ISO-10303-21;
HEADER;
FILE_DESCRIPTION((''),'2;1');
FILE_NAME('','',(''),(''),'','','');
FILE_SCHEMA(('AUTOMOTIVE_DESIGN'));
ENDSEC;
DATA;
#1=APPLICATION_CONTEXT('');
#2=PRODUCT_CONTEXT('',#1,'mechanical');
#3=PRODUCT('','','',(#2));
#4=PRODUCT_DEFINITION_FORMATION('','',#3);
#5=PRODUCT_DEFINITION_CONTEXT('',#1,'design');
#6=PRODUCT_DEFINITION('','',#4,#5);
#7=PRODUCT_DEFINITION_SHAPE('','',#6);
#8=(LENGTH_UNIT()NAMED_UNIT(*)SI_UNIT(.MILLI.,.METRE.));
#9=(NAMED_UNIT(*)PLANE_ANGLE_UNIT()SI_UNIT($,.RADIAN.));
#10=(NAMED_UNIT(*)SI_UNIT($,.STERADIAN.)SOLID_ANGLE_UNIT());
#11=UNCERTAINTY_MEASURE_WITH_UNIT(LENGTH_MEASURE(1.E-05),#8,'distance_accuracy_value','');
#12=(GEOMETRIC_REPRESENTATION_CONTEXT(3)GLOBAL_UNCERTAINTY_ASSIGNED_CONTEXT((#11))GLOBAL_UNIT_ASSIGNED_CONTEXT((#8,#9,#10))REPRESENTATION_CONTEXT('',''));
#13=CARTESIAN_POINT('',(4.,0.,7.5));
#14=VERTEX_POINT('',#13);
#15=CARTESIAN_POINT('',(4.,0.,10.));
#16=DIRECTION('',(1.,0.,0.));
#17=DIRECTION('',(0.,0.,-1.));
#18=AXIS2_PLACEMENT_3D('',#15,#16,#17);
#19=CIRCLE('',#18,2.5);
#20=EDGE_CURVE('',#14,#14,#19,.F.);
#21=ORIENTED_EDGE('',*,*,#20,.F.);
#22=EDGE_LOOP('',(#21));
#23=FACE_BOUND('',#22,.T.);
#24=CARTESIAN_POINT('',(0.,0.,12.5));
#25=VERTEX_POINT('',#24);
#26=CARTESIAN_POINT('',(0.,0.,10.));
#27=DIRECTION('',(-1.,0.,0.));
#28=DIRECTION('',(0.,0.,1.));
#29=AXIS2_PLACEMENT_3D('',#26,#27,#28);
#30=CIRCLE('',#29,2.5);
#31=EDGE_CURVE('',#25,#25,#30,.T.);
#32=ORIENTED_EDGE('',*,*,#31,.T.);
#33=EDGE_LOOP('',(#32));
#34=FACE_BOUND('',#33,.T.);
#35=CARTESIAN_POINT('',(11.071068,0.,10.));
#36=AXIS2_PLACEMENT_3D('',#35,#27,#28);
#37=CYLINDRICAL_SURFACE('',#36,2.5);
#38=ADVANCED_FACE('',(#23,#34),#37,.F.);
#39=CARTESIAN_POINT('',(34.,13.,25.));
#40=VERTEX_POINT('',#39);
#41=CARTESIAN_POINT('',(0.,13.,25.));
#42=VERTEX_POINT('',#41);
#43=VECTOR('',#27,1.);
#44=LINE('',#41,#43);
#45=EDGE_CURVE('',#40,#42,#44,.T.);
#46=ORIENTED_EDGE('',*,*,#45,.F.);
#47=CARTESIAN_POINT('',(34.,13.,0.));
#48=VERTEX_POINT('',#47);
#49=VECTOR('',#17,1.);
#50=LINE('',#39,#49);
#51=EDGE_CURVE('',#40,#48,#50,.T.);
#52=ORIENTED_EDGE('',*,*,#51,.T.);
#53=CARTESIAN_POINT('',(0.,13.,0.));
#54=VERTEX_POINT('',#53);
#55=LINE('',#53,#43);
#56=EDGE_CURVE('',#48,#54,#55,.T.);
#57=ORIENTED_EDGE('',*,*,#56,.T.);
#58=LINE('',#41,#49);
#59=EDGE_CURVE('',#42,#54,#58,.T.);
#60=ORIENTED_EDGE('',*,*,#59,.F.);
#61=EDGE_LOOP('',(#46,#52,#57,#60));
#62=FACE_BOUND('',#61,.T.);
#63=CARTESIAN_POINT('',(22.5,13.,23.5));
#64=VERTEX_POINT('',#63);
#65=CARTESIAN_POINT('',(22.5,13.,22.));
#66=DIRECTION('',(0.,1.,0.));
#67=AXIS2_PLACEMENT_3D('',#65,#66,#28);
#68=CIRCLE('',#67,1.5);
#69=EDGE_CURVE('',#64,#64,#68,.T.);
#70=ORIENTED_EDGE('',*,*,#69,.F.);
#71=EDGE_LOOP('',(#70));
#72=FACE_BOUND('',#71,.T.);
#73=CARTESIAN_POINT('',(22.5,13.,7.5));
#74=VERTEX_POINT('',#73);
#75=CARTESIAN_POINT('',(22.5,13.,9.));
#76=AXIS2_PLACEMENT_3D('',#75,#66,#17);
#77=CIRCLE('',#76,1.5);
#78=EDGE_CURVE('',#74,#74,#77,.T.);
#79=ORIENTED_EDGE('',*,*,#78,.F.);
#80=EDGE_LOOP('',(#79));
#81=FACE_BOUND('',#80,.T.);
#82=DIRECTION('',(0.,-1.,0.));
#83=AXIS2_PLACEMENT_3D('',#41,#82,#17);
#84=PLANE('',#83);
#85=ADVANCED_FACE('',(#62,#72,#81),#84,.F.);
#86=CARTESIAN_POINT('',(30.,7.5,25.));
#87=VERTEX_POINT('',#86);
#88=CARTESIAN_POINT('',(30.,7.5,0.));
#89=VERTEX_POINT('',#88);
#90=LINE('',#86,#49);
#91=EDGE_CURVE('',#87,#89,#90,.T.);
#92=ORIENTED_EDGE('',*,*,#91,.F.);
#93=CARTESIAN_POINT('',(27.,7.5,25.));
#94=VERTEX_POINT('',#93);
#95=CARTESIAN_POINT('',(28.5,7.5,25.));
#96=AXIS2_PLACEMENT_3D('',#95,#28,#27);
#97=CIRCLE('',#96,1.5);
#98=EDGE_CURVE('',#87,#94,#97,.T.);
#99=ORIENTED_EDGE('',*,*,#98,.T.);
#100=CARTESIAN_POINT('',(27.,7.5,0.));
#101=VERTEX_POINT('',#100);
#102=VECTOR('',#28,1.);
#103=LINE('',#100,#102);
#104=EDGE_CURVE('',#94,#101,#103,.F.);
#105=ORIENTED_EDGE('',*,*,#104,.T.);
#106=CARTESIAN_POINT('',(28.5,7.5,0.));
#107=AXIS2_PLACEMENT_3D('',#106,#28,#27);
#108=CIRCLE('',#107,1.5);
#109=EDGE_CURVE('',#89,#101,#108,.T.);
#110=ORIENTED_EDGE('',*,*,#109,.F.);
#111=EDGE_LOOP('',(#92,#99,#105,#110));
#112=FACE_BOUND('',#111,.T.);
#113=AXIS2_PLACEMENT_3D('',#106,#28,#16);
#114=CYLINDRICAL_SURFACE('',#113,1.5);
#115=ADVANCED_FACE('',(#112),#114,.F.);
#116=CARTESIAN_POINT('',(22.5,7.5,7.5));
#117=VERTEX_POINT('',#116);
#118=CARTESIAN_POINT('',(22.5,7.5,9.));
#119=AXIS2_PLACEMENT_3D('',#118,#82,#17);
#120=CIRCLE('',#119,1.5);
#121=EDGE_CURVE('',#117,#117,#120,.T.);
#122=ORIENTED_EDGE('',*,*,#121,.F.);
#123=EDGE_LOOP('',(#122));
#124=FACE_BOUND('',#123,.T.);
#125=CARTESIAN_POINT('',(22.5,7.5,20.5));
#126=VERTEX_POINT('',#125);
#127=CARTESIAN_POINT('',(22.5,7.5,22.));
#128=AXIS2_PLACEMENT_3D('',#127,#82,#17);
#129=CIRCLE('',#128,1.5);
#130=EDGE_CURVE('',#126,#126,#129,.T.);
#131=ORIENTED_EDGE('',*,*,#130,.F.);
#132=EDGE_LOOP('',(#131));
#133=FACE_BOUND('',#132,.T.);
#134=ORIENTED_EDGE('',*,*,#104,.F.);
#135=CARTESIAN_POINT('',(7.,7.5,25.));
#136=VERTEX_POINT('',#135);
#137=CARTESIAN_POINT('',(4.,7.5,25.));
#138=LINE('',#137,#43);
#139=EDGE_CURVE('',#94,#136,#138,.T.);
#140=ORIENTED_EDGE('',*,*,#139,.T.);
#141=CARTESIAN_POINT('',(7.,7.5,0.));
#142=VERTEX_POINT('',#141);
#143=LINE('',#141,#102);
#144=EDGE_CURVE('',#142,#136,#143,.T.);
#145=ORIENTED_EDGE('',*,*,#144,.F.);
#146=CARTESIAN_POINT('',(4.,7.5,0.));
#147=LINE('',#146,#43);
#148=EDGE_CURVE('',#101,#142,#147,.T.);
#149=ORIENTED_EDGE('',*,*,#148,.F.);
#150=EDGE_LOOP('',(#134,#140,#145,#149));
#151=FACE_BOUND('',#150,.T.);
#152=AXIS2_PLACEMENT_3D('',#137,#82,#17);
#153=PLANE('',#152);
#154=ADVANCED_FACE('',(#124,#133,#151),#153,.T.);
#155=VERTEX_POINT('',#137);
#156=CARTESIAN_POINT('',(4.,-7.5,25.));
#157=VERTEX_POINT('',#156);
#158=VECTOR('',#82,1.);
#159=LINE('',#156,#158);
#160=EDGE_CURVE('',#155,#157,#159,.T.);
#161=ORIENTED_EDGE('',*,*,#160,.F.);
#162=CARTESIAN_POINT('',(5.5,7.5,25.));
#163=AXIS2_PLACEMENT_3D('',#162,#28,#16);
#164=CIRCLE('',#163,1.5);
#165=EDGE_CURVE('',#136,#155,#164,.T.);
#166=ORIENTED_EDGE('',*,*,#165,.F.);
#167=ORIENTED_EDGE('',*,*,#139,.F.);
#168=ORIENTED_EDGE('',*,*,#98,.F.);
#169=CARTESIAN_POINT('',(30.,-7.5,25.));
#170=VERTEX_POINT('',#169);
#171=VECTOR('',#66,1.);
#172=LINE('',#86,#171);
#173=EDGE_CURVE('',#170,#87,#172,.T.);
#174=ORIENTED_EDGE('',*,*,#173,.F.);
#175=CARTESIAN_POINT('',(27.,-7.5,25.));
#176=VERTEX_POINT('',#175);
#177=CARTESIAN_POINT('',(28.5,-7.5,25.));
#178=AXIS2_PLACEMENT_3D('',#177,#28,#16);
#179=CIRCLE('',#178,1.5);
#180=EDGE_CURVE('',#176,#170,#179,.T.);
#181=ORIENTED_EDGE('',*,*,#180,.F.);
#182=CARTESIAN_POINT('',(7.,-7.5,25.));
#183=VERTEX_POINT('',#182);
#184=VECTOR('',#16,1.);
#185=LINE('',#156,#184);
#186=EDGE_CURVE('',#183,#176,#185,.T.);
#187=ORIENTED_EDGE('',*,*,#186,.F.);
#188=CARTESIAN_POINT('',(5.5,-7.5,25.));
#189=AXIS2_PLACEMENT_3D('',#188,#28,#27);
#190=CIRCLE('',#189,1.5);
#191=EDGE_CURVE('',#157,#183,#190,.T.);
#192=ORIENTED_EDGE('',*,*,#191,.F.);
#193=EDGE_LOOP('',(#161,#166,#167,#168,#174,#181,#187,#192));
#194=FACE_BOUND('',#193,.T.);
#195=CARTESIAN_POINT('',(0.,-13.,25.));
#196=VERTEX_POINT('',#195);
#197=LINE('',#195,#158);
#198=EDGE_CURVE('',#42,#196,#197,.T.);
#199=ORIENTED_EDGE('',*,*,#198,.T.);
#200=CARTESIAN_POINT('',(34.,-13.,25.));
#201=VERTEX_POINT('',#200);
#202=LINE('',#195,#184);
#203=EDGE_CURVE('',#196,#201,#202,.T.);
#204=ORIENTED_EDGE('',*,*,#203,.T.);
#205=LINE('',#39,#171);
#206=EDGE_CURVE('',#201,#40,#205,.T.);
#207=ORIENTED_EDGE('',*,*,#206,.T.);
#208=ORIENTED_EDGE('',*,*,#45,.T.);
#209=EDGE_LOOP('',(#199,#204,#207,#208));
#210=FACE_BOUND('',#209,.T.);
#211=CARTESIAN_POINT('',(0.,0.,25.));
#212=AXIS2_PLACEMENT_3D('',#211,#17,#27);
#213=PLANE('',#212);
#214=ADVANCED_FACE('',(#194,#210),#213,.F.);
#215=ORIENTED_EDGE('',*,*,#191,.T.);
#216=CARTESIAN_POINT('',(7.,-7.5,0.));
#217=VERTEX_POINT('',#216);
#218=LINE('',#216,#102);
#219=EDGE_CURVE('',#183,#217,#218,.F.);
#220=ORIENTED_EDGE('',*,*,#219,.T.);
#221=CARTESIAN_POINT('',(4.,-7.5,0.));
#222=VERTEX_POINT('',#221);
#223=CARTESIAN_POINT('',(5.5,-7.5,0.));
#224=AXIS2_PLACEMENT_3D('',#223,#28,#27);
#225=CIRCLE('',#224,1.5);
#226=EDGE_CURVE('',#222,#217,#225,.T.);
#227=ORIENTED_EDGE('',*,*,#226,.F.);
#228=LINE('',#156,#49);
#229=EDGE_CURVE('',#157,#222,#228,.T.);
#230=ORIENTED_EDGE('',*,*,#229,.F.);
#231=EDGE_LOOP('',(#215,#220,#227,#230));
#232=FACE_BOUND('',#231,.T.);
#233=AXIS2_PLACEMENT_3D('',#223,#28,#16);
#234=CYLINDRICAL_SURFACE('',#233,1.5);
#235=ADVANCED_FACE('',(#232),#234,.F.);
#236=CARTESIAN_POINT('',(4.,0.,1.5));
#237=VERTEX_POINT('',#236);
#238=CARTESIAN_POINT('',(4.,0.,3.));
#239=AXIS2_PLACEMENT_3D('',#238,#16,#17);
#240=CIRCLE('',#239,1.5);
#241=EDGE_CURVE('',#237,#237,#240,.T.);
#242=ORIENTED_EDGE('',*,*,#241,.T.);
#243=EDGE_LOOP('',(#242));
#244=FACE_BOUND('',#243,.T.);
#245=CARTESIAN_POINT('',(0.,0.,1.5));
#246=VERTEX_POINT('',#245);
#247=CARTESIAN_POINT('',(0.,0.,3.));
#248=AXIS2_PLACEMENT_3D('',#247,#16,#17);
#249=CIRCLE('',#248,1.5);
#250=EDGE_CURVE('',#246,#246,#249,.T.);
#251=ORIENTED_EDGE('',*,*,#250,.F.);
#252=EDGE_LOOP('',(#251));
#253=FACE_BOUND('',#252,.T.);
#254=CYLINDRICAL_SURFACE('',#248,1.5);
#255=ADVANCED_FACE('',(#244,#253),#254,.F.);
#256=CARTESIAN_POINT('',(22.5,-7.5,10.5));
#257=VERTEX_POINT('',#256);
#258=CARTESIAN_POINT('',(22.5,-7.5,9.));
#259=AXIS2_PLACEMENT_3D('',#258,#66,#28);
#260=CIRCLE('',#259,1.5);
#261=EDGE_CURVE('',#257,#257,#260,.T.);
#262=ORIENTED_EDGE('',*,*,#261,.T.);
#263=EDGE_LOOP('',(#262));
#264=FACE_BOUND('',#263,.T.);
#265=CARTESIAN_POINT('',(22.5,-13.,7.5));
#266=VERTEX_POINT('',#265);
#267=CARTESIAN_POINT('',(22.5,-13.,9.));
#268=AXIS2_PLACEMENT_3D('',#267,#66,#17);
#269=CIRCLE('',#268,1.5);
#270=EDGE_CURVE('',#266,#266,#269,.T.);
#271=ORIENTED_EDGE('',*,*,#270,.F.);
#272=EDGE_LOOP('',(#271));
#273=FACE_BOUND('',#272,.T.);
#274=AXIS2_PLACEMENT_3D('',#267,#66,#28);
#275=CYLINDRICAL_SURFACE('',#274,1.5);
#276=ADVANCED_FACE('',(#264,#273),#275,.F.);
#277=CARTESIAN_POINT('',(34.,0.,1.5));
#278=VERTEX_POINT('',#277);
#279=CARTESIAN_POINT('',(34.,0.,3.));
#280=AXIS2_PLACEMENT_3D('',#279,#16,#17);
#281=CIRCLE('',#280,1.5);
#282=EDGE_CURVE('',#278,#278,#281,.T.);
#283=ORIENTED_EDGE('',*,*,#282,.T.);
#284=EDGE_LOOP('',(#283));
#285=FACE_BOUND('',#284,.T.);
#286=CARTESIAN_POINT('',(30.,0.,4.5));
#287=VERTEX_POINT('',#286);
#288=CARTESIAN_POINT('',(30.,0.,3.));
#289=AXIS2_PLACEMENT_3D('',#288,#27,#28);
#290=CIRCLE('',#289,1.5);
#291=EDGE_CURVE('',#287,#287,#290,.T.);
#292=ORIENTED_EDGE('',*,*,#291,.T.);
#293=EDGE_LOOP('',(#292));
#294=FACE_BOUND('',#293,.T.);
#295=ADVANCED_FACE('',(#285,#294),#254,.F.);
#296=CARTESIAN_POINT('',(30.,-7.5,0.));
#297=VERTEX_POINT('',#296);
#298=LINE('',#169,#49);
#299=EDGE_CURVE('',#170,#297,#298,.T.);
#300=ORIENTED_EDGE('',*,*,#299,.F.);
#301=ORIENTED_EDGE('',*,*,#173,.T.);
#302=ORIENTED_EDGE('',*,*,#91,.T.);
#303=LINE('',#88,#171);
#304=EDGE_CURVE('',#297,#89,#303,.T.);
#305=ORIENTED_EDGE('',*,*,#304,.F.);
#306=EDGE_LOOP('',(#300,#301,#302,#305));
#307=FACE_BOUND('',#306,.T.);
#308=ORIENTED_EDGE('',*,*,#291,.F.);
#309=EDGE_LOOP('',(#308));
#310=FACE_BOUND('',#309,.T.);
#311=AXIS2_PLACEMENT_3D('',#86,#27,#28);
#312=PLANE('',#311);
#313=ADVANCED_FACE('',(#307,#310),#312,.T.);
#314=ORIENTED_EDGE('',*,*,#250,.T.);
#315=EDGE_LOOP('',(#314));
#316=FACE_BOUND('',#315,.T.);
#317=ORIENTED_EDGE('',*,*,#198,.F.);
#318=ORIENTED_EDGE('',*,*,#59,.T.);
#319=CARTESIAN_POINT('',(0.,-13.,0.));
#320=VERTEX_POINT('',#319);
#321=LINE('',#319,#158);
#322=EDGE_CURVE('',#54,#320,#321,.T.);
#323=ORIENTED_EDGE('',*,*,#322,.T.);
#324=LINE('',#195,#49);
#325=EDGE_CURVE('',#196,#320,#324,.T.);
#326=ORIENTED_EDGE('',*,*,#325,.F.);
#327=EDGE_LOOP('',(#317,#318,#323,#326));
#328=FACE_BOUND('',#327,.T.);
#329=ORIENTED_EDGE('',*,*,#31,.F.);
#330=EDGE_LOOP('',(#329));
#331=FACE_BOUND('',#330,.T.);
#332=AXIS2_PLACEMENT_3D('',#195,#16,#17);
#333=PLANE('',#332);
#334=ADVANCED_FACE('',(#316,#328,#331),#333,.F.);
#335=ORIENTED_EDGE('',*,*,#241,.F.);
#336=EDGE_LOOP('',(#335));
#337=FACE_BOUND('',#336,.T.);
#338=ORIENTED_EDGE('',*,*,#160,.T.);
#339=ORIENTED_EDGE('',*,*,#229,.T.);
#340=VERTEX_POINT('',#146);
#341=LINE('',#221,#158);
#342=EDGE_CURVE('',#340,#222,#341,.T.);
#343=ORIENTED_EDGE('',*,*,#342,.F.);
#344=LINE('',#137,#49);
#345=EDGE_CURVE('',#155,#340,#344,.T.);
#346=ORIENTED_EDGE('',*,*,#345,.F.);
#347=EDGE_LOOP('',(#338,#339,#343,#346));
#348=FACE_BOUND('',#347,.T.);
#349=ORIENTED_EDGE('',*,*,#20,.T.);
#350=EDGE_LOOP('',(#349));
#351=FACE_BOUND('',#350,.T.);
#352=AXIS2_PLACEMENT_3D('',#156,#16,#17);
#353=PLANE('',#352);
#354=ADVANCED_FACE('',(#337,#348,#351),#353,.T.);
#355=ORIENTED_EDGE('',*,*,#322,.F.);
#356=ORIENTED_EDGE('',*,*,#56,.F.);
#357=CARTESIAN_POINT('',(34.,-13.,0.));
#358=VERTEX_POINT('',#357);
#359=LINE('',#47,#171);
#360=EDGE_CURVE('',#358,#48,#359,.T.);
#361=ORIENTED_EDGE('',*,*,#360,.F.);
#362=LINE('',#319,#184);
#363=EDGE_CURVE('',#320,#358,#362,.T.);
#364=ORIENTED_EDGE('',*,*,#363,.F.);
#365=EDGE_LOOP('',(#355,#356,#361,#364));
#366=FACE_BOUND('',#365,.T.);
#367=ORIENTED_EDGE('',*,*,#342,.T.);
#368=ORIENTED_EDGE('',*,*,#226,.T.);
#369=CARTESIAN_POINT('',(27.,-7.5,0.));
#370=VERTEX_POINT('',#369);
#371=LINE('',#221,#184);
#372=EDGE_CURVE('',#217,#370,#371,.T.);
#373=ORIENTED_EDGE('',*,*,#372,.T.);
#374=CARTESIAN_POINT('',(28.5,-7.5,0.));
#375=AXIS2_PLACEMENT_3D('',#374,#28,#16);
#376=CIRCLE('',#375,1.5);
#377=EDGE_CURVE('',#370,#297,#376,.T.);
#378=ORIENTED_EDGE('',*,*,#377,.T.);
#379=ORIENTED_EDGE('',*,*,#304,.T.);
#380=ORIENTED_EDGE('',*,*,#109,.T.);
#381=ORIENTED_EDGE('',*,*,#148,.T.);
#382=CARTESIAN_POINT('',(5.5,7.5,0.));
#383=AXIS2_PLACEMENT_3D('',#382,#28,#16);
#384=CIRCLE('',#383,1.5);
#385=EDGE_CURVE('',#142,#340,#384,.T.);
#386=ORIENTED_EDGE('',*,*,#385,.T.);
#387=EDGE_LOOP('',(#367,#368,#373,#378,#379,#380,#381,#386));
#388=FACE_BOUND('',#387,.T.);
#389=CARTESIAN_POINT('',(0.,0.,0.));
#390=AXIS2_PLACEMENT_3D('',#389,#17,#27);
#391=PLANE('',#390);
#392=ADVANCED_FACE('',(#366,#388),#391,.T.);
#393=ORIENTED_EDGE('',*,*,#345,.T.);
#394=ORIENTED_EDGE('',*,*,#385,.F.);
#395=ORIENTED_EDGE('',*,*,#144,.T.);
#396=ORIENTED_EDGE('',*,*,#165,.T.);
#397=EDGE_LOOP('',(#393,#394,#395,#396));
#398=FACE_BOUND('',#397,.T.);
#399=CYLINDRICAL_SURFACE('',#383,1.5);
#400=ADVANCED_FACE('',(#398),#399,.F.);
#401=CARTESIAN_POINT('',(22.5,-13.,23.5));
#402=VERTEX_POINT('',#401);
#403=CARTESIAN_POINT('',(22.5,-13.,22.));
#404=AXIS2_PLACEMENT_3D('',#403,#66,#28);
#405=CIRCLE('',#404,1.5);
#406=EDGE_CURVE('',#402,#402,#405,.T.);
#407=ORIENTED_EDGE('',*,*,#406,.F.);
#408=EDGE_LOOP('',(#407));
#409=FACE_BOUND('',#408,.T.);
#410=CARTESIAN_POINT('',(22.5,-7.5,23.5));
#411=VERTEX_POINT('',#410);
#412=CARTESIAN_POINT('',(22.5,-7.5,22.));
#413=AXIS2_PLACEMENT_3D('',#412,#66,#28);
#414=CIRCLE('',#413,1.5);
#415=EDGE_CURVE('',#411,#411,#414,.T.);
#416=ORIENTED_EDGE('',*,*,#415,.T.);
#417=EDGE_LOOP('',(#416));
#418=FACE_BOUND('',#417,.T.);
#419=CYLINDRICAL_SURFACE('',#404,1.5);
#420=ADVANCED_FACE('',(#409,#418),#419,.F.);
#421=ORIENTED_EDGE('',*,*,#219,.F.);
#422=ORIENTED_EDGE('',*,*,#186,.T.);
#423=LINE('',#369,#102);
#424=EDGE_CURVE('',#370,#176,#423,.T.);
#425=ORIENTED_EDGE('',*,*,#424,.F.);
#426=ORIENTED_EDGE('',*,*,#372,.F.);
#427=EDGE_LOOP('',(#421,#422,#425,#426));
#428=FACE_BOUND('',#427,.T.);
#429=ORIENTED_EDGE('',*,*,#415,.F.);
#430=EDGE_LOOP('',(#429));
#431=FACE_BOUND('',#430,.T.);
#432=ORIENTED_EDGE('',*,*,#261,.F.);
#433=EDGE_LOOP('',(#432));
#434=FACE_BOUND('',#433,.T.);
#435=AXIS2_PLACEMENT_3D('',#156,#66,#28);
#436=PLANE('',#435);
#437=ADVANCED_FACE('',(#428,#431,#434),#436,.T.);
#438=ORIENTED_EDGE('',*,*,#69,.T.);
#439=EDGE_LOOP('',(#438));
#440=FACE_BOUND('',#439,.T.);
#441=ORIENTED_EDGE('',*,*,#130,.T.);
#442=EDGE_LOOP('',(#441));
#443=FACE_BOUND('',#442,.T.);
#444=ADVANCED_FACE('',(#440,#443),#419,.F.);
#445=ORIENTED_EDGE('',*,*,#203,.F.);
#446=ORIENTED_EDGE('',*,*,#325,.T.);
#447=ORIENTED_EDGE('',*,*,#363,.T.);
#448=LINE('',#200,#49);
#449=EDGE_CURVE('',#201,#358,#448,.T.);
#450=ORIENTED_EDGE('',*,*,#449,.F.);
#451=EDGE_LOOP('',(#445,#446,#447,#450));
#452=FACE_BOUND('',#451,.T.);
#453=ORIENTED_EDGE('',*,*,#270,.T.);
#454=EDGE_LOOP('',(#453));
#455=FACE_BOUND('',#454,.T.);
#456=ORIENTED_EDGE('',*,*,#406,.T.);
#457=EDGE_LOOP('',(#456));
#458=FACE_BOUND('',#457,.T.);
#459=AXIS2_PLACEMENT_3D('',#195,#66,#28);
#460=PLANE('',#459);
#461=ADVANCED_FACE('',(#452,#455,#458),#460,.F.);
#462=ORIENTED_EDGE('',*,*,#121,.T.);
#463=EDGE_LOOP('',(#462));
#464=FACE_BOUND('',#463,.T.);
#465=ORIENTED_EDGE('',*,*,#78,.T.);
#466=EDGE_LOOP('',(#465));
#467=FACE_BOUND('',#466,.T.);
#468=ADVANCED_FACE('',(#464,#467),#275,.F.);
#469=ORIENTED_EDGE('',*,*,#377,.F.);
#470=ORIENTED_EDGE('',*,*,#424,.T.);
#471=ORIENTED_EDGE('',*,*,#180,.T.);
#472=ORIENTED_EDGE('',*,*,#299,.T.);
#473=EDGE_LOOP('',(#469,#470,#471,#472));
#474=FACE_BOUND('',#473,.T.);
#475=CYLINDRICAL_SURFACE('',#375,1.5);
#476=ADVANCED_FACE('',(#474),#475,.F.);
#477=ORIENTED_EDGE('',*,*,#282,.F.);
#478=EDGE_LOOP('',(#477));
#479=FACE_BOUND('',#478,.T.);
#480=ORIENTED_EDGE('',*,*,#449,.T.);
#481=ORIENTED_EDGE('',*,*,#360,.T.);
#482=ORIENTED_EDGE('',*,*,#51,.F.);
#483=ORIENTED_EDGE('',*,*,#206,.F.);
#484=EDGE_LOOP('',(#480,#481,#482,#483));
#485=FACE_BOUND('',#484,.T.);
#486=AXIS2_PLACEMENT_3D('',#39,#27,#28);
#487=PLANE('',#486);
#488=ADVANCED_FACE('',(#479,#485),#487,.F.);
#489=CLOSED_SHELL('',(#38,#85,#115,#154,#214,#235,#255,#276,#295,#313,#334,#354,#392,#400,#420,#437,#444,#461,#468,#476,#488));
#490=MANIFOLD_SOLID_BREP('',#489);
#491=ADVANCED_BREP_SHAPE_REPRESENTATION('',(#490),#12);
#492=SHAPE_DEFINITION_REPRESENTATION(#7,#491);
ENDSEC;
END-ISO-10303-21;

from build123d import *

# Parameters (mm, degrees)
SKETCH_1_W               = 34
SKETCH_1_H               = 26
SKETCH_1_W_2             = 26
SKETCH_1_H_2             = 15
EXTRUDE_1_DEPTH          = 25
SKETCH_2_R               = 1.5
CUT_EXTRUDE_1_DEPTH      = 45.158804332
SKETCH_3_R               = 2.5
CUT_EXTRUDE_2_DEPTH      = 4
CUT_EXTRUDE_4_DEPTH      = 47.917480751
CUT_EXTRUDE_4_DEPTH_BACK = 47.917480751
SKETCH_5_R               = 1.5
SKETCH_6_R               = 1.5
CUT_EXTRUDE_5_DEPTH      = 45.158804332


with BuildPart() as part:
    # 草图1 → 凸台-拉伸1 (new body)
    with BuildSketch(Plane.XY):
        with Locations((17, 0)):
            Rectangle(SKETCH_1_W, SKETCH_1_H)
        with Locations((17, 0)):
            Rectangle(SKETCH_1_W_2, SKETCH_1_H_2, mode=Mode.SUBTRACT)
    extrude(amount=EXTRUDE_1_DEPTH)

    # 草图2 → 切除-拉伸1 (cut, through all)
    with BuildSketch(Plane.XY.offset(25)):
        with Locations((5.5, 7.5)):
            Circle(SKETCH_2_R)
        with Locations((5.5, -7.5)):
            Circle(SKETCH_2_R)
        with Locations((28.5, -7.5)):
            Circle(SKETCH_2_R)
        with Locations((28.5, 7.5)):
            Circle(SKETCH_2_R)
    extrude(amount=-CUT_EXTRUDE_1_DEPTH, mode=Mode.SUBTRACT)

    # 草图3 → 切除-拉伸2 (cut)
    with BuildSketch(Plane.ZY):
        with Locations((10, 0)):
            Circle(SKETCH_3_R)
    extrude(amount=-CUT_EXTRUDE_2_DEPTH, mode=Mode.SUBTRACT)

    # 草图5 → 切除-拉伸4 (cut, two sides: drawn at the far end of the back side and taken through both)
    with BuildSketch(Plane(origin=(0, -7.5, 0), x_dir=(1, 0, 0), z_dir=(0, 1, 0)).offset(-CUT_EXTRUDE_4_DEPTH_BACK)):
        with Locations(Location((22.5, -22, 0), (0, 0, 270))):
            Circle(SKETCH_5_R)
        with Locations(Location((22.5, -9, 0), (0, 0, 270))):
            Circle(SKETCH_5_R)
    extrude(amount=CUT_EXTRUDE_4_DEPTH + CUT_EXTRUDE_4_DEPTH_BACK, mode=Mode.SUBTRACT)

    # 草图6 → 切除-拉伸5 (cut, through all)
    with BuildSketch(Plane(origin=(34, 0, 0), x_dir=(0, 0, -1), z_dir=(1, 0, 0))):
        with Locations((-3, 0)):
            Circle(SKETCH_6_R)
    extrude(amount=-CUT_EXTRUDE_5_DEPTH, mode=Mode.SUBTRACT)


solid = part.part
